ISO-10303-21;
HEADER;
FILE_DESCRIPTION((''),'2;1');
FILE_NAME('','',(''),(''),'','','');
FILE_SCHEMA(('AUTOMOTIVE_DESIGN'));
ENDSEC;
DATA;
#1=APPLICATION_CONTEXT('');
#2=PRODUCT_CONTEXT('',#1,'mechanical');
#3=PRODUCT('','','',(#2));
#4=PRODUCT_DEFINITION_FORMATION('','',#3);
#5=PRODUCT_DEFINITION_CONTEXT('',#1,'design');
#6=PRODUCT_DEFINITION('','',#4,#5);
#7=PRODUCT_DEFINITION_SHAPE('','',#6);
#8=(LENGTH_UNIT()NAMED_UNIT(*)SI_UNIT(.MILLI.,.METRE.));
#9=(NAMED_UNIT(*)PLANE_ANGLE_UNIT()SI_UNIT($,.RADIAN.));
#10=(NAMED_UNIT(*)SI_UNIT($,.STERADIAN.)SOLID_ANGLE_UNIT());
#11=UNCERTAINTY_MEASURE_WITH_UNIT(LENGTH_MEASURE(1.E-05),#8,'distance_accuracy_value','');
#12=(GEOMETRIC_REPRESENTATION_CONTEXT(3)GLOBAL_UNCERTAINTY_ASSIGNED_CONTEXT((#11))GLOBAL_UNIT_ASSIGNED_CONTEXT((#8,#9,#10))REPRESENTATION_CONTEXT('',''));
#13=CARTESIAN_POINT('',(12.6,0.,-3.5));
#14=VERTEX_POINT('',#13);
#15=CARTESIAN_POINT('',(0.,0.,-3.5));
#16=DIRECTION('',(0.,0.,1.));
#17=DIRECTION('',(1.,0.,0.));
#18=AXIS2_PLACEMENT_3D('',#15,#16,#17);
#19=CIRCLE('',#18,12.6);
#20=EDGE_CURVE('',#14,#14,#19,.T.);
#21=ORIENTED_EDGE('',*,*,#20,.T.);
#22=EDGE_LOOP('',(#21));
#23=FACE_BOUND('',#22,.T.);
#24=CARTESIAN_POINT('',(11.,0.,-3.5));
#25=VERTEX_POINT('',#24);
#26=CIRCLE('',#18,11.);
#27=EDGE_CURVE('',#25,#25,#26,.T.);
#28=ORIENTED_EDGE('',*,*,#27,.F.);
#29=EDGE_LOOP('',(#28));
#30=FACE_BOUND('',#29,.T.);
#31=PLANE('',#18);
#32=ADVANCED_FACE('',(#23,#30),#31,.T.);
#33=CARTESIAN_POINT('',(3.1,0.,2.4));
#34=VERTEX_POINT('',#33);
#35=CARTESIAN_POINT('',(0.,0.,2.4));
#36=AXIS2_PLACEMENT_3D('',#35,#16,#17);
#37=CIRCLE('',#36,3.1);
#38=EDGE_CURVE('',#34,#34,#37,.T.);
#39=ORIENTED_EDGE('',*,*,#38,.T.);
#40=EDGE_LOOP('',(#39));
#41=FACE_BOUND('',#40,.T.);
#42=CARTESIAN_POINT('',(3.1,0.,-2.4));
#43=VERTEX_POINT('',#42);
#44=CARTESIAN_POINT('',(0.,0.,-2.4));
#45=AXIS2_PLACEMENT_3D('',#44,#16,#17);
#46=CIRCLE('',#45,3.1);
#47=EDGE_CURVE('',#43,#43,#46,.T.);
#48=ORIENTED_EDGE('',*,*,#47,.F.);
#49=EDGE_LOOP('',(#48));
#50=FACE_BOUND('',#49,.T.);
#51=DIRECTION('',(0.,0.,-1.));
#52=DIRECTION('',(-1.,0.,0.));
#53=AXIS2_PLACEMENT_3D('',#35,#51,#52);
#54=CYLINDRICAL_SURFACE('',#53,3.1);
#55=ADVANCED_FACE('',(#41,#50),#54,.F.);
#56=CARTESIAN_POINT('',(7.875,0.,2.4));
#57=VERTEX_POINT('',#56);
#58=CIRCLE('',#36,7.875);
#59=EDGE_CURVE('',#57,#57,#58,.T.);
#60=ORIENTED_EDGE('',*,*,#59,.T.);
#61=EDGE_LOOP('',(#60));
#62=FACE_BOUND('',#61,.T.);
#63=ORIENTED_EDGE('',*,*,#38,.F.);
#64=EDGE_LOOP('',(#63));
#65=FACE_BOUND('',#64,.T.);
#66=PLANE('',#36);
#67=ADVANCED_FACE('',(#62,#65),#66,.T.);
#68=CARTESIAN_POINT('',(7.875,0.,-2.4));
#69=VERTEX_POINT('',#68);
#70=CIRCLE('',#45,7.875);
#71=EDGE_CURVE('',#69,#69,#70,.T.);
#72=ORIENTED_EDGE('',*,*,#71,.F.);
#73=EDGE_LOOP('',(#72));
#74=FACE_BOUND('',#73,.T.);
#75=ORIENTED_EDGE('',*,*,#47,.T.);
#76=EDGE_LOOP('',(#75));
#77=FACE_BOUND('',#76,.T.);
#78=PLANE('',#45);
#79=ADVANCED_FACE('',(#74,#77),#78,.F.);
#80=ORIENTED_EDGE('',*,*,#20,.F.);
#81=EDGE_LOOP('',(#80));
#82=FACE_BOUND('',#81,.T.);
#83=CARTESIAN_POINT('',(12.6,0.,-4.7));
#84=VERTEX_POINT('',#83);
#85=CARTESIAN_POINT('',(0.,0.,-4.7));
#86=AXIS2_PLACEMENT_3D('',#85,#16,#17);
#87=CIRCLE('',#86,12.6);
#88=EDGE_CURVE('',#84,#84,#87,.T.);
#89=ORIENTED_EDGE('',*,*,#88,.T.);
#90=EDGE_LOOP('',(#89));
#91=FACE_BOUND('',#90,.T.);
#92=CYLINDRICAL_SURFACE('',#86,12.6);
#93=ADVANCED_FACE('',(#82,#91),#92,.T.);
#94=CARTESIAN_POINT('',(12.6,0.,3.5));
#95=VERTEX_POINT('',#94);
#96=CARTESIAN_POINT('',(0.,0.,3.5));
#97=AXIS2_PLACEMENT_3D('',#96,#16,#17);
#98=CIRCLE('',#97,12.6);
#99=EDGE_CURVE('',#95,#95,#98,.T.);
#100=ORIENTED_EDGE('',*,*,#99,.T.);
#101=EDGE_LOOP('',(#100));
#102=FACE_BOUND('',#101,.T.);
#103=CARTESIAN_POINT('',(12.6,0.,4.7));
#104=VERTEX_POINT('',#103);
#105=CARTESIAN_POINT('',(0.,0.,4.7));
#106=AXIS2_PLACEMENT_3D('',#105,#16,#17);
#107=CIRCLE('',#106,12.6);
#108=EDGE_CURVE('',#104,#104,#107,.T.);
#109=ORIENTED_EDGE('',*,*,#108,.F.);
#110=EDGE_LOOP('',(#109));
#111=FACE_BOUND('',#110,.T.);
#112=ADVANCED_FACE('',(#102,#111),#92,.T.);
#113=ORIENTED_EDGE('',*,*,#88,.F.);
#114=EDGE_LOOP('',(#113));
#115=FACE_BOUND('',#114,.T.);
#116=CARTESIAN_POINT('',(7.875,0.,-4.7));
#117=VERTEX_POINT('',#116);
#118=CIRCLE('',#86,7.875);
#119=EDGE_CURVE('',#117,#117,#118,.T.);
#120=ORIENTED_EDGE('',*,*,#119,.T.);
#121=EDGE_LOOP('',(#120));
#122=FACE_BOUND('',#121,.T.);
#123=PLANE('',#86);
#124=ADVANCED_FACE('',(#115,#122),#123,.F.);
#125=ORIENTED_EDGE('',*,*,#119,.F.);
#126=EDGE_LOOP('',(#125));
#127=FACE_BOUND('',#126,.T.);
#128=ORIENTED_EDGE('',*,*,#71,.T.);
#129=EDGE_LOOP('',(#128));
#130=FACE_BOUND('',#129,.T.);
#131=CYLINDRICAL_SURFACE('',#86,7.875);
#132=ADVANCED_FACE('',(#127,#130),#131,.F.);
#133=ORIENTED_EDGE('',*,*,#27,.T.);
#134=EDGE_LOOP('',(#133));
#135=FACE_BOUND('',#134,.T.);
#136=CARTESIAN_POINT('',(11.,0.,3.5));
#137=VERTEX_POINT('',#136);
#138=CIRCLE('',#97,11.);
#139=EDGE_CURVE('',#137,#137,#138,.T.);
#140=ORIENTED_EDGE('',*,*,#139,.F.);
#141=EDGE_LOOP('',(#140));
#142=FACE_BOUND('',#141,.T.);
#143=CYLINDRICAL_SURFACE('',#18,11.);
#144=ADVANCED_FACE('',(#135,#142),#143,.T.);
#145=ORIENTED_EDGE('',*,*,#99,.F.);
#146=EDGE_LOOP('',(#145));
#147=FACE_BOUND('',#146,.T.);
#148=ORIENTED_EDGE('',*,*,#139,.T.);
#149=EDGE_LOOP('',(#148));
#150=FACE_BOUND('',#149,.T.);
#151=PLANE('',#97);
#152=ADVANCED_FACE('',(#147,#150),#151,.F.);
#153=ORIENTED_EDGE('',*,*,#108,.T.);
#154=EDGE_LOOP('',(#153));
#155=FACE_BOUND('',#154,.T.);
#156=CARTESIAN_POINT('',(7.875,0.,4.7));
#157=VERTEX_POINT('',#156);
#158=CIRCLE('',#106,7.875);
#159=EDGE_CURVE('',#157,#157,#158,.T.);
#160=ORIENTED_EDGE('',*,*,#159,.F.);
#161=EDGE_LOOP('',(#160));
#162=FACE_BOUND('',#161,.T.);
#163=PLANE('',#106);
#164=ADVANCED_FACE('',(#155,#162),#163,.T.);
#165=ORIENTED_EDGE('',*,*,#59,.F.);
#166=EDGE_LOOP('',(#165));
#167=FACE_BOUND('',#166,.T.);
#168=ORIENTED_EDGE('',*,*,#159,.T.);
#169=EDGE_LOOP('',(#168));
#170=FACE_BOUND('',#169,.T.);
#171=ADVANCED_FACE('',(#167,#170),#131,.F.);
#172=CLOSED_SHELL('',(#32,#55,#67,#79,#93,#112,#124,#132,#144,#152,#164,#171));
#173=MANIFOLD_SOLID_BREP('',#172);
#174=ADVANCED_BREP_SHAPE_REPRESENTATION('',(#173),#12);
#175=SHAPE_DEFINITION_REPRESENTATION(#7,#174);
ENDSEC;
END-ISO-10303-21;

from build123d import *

# Parameters (mm, degrees)
ESQUISSE2_R             = 7.875
ESQUISSE2_R_2           = 3.1
BOSS_EXTRU_1_DEPTH      = 2.4
BOSS_EXTRU_2_DEPTH      = 2.3
BOSS_EXTRU_2_DEPTH_BACK = 7.1
ESQUISSE3_R             = 12.6
ESQUISSE3_R_2           = 7.875
ESQUISSE4_R             = 12.6
ESQUISSE4_R_2           = 11
ENL_V_MAT_EXTRU_1_DEPTH = 3.5


with BuildPart() as part:
    # Esquisse2 → Boss.-Extru.1 (new, symmetric)
    with BuildSketch(Plane.XY):
        Circle(ESQUISSE2_R)
        Circle(ESQUISSE2_R_2, mode=Mode.SUBTRACT)
    extrude(amount=BOSS_EXTRU_1_DEPTH, both=True)

    # Esquisse3 → Boss.-Extru.2 (add, two sides: drawn at the far end of the back side and taken through both)
    with BuildSketch(Plane.XY.offset(2.4).offset(-BOSS_EXTRU_2_DEPTH_BACK)):
        Circle(ESQUISSE3_R)
        Circle(ESQUISSE3_R_2, mode=Mode.SUBTRACT)
    extrude(amount=BOSS_EXTRU_2_DEPTH + BOSS_EXTRU_2_DEPTH_BACK)

    # Esquisse4 → Enlèv. mat.-Extru.1 (cut, symmetric)
    with BuildSketch(Plane.XY):
        Circle(ESQUISSE4_R)
        Circle(ESQUISSE4_R_2, mode=Mode.SUBTRACT)
    extrude(amount=ENL_V_MAT_EXTRU_1_DEPTH, both=True, mode=Mode.SUBTRACT)


solid = part.part
